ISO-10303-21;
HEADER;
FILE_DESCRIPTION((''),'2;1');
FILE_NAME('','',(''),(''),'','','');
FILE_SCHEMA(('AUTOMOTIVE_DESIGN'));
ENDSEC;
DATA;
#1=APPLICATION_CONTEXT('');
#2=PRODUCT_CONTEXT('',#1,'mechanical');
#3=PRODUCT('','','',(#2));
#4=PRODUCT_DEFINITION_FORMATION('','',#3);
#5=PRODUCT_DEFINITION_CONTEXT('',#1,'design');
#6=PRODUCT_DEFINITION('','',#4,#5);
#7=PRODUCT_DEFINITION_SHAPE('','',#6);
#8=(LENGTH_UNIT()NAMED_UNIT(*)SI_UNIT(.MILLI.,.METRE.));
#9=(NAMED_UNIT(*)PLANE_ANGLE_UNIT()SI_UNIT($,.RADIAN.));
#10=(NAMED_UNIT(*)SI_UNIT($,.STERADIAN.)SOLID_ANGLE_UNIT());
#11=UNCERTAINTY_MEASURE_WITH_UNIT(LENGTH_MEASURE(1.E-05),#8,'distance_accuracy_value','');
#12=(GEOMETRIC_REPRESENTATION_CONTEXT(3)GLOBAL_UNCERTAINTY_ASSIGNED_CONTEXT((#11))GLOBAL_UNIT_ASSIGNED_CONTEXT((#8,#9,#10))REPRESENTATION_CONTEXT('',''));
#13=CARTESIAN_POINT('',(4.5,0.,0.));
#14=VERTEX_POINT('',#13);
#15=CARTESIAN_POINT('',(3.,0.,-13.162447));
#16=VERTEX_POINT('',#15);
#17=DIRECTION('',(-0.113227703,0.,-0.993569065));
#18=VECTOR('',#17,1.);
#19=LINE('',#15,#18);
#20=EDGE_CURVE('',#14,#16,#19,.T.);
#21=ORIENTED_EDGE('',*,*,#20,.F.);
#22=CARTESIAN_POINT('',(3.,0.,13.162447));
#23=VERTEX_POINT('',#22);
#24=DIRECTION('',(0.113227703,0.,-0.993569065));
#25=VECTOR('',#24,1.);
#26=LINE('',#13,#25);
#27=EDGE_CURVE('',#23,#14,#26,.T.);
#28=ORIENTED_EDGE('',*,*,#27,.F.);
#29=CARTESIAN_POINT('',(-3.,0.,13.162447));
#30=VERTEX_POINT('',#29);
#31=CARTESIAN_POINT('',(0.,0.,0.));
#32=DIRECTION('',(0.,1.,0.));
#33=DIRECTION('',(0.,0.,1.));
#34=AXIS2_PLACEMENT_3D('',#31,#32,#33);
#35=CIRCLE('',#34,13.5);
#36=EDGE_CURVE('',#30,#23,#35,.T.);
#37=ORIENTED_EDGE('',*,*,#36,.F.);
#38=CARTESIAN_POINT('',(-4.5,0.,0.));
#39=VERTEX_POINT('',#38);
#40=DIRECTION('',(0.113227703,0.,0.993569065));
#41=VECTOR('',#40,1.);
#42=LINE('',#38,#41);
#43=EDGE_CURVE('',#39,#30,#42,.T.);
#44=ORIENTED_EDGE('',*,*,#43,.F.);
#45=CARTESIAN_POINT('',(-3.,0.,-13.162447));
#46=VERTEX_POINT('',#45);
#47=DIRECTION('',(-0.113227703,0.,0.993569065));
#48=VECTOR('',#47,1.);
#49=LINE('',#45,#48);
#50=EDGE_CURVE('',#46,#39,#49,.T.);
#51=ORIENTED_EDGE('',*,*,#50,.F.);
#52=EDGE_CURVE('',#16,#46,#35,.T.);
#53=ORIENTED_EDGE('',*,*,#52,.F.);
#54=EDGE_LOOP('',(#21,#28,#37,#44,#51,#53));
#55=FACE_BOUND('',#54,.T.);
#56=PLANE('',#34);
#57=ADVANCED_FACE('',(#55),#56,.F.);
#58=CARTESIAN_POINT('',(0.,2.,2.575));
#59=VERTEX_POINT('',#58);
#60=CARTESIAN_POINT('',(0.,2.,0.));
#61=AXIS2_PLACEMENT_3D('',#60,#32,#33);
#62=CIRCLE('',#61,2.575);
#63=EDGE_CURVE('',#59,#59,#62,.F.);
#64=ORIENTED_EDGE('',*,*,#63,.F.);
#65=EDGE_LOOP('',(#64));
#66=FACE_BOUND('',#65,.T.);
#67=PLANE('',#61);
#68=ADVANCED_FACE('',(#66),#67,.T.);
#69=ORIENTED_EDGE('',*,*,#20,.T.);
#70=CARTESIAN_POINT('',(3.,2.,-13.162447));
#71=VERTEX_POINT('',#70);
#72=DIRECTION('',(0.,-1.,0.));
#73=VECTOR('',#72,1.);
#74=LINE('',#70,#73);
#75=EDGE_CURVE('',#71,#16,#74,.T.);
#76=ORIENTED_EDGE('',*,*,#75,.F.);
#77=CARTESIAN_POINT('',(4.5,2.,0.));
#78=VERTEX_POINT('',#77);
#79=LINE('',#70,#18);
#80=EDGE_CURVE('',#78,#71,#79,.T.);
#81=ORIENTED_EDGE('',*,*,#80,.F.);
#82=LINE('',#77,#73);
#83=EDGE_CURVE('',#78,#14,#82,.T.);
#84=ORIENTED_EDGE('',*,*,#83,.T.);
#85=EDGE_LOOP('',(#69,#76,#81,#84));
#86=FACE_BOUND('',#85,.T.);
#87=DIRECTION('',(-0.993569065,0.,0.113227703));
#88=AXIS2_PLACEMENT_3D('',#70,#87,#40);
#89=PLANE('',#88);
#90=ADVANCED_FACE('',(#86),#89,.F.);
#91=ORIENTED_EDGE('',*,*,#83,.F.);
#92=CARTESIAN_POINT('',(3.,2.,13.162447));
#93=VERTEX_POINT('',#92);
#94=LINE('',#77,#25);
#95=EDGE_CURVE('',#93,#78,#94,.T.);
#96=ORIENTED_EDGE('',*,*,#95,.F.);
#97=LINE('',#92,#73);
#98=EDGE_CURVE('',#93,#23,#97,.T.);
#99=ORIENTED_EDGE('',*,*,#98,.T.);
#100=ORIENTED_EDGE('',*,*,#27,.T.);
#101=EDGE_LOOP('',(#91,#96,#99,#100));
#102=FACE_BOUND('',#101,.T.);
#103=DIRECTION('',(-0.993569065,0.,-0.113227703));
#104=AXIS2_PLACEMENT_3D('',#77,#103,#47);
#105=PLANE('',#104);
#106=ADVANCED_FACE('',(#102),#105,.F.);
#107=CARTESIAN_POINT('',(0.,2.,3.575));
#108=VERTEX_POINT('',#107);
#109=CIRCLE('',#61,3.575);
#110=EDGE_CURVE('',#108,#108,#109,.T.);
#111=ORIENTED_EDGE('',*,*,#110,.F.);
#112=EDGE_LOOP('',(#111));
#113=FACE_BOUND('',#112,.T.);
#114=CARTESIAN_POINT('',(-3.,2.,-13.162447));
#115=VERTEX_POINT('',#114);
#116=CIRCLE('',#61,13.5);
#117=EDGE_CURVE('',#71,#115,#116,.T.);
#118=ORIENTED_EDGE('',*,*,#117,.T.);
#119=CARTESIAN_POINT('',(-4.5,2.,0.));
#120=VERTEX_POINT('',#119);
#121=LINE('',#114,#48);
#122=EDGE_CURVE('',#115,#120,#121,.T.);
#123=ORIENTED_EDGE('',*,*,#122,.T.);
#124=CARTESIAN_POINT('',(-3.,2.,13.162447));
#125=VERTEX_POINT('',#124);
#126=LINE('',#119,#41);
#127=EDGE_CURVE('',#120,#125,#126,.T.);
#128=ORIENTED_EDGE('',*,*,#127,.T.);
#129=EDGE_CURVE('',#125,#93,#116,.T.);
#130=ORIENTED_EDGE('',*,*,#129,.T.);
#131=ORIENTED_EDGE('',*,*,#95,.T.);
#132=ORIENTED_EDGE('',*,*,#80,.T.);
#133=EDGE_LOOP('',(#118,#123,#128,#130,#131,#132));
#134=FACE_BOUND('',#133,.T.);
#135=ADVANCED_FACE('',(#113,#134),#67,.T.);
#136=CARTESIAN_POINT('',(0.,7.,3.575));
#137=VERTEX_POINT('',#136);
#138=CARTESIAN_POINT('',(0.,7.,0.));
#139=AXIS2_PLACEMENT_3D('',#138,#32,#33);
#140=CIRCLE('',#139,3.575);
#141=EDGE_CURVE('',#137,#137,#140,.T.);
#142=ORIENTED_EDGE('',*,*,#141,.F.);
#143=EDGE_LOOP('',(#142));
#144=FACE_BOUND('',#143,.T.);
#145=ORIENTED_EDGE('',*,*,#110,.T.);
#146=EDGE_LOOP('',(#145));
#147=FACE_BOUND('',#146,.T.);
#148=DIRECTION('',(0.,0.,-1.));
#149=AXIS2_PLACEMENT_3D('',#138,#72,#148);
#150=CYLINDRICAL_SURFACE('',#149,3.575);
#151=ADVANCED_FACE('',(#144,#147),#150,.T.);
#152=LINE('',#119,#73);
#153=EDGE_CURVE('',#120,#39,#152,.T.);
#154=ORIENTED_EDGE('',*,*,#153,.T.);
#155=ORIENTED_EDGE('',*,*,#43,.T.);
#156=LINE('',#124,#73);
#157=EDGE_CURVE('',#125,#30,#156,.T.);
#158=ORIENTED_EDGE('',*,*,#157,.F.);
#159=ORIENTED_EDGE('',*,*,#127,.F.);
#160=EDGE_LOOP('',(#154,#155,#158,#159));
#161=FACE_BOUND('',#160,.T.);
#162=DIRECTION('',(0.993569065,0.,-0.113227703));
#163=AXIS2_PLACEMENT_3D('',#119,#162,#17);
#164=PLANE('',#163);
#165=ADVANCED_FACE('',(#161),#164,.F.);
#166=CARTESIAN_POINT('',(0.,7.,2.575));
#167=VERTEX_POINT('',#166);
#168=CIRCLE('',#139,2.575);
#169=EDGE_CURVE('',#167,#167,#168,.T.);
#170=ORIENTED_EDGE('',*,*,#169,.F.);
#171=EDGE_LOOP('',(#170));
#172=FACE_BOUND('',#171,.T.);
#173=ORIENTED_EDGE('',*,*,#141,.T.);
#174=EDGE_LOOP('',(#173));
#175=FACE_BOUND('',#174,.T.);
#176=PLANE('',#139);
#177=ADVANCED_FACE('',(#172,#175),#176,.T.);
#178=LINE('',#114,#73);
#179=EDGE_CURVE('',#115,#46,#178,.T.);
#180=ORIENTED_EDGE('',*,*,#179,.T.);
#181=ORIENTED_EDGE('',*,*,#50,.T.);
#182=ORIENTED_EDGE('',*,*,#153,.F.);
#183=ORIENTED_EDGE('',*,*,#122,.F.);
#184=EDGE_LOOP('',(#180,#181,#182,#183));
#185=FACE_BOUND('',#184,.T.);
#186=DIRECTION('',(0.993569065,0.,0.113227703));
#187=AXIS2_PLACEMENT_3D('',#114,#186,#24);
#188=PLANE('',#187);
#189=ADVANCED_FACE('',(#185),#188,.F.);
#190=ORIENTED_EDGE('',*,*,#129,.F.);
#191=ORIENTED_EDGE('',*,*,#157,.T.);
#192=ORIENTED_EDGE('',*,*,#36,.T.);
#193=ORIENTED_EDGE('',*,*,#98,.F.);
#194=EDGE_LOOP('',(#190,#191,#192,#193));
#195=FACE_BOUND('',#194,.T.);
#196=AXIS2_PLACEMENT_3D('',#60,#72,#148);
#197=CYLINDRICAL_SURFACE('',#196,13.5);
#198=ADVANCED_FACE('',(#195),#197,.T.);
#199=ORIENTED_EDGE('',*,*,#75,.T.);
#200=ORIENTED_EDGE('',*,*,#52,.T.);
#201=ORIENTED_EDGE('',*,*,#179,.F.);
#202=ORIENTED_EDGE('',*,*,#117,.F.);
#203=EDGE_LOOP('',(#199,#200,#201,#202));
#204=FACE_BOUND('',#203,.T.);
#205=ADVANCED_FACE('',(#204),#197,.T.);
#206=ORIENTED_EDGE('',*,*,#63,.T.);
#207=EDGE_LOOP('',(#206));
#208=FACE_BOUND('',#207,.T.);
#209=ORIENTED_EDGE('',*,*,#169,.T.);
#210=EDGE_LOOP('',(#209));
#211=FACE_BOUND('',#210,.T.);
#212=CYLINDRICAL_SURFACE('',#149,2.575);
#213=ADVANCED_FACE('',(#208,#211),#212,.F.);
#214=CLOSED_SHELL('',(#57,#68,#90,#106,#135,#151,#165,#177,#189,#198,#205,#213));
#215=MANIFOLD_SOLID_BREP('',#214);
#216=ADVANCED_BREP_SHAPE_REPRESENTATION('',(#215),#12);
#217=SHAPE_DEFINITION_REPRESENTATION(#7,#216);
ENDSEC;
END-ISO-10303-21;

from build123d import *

# Parameters (mm, degrees)
SALIENTE_EXTRUIR1_DEPTH = 2
CROQUIS3_R              = 3.575
CROQUIS3_R_2            = 2.575
SALIENTE_EXTRUIR2_DEPTH = 5


with BuildPart() as part:
    # Croquis1 → Saliente-Extruir1 (new body)
    with BuildSketch(Plane(origin=(0, 0, 0), x_dir=(1, 0, 0), z_dir=(0, 1, 0))):
        with BuildLine():
            Line((-3, 13.162446581), (-4.5, 0))
            Line((-4.5, 0), (-3, -13.162446581))
            ThreePointArc((-3, -13.162446581), (0, -13.5), (3, -13.162446581))
            Line((3, -13.162446581), (4.5, 0))
            Line((4.5, 0), (3, 13.162446581))
            ThreePointArc((3, 13.162446581), (0, 13.5), (-3, 13.162446581))
        make_face()
    extrude(amount=SALIENTE_EXTRUIR1_DEPTH)

    # Croquis3 → Saliente-Extruir2 (add)
    with BuildSketch(Plane(origin=(0, 2, 0), x_dir=(1, 0, 0), z_dir=(0, 1, 0))):
        with Locations(Location((0, 0, 0), (0, 0, 270))):
            Circle(CROQUIS3_R)
        with Locations(Location((0, 0, 0), (0, 0, 270))):
            Circle(CROQUIS3_R_2, mode=Mode.SUBTRACT)
    extrude(amount=SALIENTE_EXTRUIR2_DEPTH)


solid = part.part
